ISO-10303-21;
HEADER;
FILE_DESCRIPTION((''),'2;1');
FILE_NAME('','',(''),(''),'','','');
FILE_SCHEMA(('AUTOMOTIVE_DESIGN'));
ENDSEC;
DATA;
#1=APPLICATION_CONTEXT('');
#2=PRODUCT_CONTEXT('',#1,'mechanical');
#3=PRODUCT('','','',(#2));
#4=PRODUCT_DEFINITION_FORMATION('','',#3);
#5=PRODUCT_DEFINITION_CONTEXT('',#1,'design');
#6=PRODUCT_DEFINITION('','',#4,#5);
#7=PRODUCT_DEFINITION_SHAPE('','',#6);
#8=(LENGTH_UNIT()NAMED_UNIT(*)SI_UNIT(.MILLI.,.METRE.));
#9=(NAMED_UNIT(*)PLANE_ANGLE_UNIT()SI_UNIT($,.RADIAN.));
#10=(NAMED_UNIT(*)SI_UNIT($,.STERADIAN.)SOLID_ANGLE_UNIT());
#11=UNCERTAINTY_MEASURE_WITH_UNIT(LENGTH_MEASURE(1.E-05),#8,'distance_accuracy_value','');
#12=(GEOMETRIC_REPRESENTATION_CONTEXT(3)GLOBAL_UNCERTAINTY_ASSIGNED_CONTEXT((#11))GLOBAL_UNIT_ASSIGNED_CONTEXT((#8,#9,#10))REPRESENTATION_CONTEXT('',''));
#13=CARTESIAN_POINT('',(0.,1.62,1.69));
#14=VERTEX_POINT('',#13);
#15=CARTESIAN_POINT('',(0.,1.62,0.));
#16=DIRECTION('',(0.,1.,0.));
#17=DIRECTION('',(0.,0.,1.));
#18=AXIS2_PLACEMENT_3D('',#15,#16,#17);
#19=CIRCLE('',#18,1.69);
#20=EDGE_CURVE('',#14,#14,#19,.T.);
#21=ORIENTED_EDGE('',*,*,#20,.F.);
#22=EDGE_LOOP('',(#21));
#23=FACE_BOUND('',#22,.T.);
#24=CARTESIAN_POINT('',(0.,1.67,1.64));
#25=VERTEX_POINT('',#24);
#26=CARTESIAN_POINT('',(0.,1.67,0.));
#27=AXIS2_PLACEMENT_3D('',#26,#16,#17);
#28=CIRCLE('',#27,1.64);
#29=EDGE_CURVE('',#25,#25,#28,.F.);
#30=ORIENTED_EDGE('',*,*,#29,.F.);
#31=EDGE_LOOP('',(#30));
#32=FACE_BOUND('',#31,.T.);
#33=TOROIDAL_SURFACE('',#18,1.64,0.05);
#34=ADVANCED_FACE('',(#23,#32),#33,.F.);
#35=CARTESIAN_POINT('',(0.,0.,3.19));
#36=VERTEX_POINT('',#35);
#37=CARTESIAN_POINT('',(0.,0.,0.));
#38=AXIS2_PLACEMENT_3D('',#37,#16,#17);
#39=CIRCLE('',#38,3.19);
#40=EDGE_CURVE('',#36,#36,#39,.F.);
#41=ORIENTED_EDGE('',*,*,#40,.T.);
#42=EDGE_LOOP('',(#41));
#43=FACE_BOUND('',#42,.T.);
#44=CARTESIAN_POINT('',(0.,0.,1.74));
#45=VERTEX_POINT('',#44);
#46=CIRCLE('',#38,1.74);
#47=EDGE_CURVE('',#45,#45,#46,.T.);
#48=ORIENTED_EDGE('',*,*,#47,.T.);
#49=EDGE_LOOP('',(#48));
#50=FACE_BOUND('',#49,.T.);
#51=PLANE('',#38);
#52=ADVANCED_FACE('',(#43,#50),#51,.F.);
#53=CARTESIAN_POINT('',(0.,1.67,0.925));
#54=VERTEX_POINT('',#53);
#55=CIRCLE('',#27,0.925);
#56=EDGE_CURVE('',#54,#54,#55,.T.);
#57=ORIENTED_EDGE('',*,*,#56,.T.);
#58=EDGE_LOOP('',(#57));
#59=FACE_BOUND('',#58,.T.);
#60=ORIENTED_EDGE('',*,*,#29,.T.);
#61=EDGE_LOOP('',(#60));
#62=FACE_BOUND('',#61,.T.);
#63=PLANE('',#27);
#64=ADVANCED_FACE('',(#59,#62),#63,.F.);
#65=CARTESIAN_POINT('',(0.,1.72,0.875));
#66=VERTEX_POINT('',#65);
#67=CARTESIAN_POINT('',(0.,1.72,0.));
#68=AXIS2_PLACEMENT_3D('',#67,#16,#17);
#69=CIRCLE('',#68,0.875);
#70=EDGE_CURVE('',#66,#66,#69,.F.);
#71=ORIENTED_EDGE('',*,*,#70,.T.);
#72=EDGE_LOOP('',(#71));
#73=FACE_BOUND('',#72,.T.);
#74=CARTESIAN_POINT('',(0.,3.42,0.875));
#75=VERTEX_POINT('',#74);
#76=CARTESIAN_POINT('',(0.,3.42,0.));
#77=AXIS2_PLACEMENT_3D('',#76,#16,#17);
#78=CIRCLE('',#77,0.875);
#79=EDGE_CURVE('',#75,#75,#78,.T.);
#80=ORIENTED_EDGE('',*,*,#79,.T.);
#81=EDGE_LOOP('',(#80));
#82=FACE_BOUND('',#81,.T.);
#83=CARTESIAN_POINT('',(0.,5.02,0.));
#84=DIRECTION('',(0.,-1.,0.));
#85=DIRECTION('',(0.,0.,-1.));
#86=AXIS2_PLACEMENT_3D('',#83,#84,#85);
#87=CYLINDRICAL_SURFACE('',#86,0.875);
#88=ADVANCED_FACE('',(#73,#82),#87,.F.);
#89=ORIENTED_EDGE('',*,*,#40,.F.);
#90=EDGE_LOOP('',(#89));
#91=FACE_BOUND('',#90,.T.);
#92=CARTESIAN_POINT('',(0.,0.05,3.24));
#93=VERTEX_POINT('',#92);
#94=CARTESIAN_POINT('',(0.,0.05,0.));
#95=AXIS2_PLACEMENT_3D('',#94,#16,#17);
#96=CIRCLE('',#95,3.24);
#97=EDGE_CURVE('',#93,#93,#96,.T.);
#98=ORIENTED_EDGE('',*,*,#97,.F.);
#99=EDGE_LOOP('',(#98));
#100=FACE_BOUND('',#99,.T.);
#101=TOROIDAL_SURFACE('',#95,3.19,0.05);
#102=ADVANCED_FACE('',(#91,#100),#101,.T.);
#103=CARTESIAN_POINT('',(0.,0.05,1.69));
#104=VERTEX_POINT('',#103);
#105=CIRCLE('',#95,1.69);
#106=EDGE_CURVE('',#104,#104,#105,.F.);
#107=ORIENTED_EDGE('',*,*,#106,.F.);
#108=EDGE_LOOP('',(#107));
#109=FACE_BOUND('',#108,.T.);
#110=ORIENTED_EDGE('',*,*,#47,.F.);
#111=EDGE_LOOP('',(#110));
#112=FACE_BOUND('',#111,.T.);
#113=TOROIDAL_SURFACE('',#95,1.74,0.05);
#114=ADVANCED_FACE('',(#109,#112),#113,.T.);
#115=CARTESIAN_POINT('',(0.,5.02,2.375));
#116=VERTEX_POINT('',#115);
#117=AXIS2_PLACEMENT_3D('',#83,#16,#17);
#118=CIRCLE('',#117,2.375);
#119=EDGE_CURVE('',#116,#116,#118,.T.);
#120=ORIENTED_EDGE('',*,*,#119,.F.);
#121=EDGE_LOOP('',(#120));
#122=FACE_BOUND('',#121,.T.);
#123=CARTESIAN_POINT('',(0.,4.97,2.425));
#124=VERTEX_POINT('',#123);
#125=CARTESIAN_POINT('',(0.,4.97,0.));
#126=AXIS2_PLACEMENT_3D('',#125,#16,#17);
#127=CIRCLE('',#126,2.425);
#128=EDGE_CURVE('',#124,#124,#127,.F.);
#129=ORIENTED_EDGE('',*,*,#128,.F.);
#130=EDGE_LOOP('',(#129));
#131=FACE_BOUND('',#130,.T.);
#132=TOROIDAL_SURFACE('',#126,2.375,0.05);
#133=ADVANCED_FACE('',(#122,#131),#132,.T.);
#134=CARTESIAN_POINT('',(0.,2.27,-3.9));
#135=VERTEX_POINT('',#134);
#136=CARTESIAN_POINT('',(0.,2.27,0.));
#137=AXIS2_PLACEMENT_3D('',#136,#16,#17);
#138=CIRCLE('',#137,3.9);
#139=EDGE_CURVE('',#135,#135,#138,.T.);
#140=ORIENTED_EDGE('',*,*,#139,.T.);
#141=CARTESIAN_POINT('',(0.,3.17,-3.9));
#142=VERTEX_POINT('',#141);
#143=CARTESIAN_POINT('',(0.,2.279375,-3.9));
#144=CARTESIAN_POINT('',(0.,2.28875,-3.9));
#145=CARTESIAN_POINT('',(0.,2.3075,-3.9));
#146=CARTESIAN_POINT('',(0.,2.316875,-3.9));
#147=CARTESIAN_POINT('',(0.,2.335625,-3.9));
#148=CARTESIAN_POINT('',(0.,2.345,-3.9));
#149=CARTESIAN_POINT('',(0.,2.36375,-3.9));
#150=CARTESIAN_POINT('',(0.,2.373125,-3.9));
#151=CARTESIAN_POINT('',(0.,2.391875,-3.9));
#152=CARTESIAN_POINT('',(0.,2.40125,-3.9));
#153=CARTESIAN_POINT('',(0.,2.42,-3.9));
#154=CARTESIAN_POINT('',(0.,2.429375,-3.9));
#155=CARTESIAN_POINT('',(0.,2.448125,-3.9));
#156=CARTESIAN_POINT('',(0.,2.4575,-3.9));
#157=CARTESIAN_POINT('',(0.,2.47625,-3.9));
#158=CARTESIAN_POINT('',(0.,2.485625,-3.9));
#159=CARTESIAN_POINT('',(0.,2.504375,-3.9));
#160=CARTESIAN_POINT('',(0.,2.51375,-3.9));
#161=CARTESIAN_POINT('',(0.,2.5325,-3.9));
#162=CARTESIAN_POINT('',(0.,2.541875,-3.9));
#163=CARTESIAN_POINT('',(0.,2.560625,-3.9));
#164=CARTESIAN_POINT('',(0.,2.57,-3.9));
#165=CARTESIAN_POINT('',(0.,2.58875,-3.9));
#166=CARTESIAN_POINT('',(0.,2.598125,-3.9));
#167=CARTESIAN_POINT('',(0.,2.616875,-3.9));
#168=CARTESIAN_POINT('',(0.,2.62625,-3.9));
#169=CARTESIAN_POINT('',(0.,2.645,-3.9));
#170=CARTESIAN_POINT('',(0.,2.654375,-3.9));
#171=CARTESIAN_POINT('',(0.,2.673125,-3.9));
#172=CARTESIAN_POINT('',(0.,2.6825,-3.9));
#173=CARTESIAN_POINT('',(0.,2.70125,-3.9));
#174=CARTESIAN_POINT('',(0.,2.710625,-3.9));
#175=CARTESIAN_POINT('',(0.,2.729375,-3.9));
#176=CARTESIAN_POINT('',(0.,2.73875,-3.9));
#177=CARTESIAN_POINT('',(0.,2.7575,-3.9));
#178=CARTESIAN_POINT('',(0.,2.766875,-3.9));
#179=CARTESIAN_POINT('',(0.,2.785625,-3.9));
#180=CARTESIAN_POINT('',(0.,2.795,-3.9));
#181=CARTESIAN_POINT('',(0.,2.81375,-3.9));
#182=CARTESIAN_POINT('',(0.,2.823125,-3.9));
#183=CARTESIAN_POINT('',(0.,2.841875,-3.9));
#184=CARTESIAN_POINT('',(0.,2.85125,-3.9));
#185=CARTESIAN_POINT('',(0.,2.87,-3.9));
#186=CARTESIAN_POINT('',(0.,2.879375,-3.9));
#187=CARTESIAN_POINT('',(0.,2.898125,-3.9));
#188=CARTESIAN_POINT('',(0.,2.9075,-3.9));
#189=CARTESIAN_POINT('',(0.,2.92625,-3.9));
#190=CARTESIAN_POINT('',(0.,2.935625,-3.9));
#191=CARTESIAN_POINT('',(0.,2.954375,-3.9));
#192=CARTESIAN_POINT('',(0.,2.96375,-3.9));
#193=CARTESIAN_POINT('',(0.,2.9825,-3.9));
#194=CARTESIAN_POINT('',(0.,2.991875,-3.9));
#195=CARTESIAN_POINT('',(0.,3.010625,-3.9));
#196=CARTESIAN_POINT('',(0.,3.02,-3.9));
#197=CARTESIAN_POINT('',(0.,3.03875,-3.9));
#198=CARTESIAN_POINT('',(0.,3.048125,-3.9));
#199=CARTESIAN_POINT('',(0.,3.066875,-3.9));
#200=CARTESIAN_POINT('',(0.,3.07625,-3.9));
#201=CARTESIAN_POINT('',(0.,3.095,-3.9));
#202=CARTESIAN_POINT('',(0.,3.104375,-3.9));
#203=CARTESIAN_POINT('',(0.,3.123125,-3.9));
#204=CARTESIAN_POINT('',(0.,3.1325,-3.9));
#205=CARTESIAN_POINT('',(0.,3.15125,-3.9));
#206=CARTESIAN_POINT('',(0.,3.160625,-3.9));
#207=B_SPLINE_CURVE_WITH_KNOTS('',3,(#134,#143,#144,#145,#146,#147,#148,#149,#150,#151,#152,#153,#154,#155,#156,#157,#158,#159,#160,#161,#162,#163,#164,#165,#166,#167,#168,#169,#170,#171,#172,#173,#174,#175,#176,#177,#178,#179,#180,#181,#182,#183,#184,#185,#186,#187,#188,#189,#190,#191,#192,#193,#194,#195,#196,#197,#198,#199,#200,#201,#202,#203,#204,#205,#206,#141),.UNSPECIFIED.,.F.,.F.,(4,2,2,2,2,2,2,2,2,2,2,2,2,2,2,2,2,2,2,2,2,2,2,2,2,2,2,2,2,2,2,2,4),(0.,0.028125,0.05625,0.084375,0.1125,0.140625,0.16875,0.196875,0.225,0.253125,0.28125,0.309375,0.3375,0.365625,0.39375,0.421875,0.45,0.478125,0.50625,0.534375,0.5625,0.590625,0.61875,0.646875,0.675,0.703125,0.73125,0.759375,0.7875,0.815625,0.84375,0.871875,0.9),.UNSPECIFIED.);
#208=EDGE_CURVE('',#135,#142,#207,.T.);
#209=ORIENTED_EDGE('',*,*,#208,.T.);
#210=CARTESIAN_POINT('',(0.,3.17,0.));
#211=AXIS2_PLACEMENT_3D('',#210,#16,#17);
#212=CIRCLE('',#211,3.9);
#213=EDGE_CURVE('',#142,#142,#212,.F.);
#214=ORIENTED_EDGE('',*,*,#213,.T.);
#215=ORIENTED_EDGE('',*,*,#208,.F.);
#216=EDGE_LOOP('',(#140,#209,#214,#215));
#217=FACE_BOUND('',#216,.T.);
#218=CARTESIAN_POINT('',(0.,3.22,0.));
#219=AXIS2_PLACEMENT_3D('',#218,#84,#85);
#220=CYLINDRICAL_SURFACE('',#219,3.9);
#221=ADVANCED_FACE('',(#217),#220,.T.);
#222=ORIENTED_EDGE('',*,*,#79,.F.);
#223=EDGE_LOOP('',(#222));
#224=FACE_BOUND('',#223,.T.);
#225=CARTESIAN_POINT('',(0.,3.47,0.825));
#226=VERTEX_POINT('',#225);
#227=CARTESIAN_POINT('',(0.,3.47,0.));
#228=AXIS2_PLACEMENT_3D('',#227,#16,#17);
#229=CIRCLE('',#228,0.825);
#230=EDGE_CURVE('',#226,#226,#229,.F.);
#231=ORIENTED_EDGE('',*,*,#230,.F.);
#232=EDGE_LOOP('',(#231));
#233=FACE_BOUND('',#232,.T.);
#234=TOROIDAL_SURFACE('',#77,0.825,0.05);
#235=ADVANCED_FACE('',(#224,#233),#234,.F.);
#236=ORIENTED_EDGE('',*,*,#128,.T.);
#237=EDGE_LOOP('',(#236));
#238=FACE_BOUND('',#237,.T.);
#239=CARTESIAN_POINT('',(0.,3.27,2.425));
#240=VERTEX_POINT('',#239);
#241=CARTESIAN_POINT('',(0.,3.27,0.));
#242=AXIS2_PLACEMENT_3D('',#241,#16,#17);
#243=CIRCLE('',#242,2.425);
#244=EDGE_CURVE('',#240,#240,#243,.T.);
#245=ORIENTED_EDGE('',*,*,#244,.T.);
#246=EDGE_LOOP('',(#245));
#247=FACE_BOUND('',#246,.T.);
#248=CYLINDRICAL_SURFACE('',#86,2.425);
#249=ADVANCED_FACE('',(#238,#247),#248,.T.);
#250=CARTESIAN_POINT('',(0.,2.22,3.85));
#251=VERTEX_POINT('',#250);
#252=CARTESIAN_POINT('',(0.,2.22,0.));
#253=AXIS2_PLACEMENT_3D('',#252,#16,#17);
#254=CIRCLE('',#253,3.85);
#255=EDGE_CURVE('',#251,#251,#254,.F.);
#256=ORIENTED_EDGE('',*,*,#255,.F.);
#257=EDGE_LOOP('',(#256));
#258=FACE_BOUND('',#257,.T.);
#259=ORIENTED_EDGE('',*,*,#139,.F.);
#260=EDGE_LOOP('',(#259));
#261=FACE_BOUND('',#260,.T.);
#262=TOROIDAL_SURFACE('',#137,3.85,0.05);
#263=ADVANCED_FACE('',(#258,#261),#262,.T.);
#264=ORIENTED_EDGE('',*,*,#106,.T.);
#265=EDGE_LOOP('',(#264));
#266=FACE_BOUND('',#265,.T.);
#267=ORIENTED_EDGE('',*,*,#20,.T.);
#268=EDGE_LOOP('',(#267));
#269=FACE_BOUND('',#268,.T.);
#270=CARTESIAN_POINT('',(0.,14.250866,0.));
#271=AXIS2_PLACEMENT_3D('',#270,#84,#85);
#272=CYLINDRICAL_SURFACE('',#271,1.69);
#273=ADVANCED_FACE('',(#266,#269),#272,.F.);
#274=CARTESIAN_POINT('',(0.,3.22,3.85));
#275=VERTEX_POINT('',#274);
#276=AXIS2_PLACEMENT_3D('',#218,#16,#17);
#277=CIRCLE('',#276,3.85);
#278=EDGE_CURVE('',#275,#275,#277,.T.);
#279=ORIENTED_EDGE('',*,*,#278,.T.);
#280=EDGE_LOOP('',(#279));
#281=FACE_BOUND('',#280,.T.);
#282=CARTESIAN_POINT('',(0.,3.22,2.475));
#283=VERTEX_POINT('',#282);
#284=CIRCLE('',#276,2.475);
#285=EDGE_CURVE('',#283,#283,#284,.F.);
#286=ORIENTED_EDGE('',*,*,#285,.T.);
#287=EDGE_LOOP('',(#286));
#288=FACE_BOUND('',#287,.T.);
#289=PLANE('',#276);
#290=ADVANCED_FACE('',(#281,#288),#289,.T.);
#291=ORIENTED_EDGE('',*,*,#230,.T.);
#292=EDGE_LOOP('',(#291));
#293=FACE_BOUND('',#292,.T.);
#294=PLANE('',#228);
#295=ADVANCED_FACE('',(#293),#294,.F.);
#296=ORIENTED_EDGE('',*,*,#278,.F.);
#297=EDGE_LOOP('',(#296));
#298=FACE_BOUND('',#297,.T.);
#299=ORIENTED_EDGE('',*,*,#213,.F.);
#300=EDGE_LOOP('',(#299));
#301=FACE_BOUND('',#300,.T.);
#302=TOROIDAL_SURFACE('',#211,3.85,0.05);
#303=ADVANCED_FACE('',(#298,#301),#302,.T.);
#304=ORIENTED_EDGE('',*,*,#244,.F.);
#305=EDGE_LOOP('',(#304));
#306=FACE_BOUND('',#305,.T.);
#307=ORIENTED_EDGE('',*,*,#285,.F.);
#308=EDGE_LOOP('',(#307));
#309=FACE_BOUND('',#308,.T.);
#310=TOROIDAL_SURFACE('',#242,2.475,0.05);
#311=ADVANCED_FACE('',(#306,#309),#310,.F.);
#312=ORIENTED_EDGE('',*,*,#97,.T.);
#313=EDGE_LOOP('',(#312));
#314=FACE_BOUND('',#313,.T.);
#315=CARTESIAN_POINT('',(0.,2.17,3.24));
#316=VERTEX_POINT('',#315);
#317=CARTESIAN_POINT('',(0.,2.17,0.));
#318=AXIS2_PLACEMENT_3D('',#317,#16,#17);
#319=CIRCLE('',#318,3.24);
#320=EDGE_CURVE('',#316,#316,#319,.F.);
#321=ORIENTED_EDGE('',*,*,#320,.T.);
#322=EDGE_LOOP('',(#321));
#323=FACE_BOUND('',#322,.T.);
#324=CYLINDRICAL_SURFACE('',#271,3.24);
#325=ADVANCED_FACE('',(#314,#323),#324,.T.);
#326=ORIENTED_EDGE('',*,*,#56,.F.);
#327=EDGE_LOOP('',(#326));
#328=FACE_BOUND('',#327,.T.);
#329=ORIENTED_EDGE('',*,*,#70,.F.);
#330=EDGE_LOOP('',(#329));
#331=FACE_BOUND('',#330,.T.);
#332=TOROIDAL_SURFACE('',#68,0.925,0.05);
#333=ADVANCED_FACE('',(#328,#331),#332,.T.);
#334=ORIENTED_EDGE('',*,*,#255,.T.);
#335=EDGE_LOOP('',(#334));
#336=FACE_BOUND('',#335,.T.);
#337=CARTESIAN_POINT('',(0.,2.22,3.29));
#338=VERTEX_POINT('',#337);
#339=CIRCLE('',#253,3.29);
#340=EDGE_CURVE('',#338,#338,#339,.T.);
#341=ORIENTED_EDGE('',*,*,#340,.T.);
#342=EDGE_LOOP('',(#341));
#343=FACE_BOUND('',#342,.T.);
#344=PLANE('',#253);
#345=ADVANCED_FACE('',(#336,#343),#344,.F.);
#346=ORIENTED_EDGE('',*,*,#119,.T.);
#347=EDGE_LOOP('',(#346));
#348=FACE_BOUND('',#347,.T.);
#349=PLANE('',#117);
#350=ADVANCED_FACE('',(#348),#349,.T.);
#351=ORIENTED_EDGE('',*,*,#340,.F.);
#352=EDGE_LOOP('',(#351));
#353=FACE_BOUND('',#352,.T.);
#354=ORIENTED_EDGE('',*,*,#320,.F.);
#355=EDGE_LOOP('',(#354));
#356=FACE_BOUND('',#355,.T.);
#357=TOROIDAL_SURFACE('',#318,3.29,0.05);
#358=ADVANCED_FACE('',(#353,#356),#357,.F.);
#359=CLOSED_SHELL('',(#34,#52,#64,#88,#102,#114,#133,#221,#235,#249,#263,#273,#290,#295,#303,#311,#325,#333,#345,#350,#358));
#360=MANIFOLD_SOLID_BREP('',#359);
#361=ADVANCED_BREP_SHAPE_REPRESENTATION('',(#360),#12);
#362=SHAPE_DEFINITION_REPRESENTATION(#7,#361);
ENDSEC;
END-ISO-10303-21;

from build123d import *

# Parameters (mm, degrees)
SKETCH1_R      = 3.9
EXTRUDE1_DEPTH = 3.22
SKETCH2_R      = 2.425
EXTRUDE2_DEPTH = 1.8
SKETCH3_R      = 3.9
SKETCH3_R_2    = 3.24
EXTRUDE3_DEPTH = 2.22
SHELL1_T       = -1.55
FILLET1_R      = 0.05


with BuildPart() as part:
    # Sketch1 → Extrude1 (new body)
    with BuildSketch(Plane(origin=(0, 0, 0), x_dir=(1, 0, 0), z_dir=(0, 1, 0))):
        with Locations(Location((0, 0, 0), (0, 0, 90))):
            Circle(SKETCH1_R)
    extrude(amount=EXTRUDE1_DEPTH)

    # Sketch2 → Extrude2 (add)
    with BuildSketch(Plane(origin=(0, 3.22, 0), x_dir=(1, 0, 0), z_dir=(0, 1, 0))):
        with Locations(Location((0, 0, 0), (0, 0, 270))):
            Circle(SKETCH2_R)
    extrude(amount=EXTRUDE2_DEPTH)

    # Sketch3 → Extrude3 (cut)
    with BuildSketch(Plane.XZ):
        with Locations(Location((0, 0, 0), (0, 0, 270))):
            Circle(SKETCH3_R)
        with Locations(Location((0, 0, 0), (0, 0, 270))):
            Circle(SKETCH3_R_2, mode=Mode.SUBTRACT)
    extrude(amount=-EXTRUDE3_DEPTH, mode=Mode.SUBTRACT)

    # Shell1
    shell1_openings = [part.faces().sort_by_distance(p)[0] for p in [
        (0, 0, 0),
    ]]
    offset(amount=SHELL1_T, openings=shell1_openings, kind=Kind.INTERSECTION)

    # Fillet1
    fillet1_edges = [part.edges().sort_by_distance(p)[0] for p in [
        (0, 2.22, 3.9),
        (0, 0, 3.24),
        (0, 2.22, 3.24),
        (0, 1.67, 1.69),
        (0, 1.67, -0.875),
        (0, 3.47, -0.875),
        (0, 0, 1.69),
        (0, 3.22, 3.9),
        (0, 3.22, -2.425),
        (0, 5.02, -2.425),
    ]]
    fillet(fillet1_edges, radius=FILLET1_R)


solid = part.part
